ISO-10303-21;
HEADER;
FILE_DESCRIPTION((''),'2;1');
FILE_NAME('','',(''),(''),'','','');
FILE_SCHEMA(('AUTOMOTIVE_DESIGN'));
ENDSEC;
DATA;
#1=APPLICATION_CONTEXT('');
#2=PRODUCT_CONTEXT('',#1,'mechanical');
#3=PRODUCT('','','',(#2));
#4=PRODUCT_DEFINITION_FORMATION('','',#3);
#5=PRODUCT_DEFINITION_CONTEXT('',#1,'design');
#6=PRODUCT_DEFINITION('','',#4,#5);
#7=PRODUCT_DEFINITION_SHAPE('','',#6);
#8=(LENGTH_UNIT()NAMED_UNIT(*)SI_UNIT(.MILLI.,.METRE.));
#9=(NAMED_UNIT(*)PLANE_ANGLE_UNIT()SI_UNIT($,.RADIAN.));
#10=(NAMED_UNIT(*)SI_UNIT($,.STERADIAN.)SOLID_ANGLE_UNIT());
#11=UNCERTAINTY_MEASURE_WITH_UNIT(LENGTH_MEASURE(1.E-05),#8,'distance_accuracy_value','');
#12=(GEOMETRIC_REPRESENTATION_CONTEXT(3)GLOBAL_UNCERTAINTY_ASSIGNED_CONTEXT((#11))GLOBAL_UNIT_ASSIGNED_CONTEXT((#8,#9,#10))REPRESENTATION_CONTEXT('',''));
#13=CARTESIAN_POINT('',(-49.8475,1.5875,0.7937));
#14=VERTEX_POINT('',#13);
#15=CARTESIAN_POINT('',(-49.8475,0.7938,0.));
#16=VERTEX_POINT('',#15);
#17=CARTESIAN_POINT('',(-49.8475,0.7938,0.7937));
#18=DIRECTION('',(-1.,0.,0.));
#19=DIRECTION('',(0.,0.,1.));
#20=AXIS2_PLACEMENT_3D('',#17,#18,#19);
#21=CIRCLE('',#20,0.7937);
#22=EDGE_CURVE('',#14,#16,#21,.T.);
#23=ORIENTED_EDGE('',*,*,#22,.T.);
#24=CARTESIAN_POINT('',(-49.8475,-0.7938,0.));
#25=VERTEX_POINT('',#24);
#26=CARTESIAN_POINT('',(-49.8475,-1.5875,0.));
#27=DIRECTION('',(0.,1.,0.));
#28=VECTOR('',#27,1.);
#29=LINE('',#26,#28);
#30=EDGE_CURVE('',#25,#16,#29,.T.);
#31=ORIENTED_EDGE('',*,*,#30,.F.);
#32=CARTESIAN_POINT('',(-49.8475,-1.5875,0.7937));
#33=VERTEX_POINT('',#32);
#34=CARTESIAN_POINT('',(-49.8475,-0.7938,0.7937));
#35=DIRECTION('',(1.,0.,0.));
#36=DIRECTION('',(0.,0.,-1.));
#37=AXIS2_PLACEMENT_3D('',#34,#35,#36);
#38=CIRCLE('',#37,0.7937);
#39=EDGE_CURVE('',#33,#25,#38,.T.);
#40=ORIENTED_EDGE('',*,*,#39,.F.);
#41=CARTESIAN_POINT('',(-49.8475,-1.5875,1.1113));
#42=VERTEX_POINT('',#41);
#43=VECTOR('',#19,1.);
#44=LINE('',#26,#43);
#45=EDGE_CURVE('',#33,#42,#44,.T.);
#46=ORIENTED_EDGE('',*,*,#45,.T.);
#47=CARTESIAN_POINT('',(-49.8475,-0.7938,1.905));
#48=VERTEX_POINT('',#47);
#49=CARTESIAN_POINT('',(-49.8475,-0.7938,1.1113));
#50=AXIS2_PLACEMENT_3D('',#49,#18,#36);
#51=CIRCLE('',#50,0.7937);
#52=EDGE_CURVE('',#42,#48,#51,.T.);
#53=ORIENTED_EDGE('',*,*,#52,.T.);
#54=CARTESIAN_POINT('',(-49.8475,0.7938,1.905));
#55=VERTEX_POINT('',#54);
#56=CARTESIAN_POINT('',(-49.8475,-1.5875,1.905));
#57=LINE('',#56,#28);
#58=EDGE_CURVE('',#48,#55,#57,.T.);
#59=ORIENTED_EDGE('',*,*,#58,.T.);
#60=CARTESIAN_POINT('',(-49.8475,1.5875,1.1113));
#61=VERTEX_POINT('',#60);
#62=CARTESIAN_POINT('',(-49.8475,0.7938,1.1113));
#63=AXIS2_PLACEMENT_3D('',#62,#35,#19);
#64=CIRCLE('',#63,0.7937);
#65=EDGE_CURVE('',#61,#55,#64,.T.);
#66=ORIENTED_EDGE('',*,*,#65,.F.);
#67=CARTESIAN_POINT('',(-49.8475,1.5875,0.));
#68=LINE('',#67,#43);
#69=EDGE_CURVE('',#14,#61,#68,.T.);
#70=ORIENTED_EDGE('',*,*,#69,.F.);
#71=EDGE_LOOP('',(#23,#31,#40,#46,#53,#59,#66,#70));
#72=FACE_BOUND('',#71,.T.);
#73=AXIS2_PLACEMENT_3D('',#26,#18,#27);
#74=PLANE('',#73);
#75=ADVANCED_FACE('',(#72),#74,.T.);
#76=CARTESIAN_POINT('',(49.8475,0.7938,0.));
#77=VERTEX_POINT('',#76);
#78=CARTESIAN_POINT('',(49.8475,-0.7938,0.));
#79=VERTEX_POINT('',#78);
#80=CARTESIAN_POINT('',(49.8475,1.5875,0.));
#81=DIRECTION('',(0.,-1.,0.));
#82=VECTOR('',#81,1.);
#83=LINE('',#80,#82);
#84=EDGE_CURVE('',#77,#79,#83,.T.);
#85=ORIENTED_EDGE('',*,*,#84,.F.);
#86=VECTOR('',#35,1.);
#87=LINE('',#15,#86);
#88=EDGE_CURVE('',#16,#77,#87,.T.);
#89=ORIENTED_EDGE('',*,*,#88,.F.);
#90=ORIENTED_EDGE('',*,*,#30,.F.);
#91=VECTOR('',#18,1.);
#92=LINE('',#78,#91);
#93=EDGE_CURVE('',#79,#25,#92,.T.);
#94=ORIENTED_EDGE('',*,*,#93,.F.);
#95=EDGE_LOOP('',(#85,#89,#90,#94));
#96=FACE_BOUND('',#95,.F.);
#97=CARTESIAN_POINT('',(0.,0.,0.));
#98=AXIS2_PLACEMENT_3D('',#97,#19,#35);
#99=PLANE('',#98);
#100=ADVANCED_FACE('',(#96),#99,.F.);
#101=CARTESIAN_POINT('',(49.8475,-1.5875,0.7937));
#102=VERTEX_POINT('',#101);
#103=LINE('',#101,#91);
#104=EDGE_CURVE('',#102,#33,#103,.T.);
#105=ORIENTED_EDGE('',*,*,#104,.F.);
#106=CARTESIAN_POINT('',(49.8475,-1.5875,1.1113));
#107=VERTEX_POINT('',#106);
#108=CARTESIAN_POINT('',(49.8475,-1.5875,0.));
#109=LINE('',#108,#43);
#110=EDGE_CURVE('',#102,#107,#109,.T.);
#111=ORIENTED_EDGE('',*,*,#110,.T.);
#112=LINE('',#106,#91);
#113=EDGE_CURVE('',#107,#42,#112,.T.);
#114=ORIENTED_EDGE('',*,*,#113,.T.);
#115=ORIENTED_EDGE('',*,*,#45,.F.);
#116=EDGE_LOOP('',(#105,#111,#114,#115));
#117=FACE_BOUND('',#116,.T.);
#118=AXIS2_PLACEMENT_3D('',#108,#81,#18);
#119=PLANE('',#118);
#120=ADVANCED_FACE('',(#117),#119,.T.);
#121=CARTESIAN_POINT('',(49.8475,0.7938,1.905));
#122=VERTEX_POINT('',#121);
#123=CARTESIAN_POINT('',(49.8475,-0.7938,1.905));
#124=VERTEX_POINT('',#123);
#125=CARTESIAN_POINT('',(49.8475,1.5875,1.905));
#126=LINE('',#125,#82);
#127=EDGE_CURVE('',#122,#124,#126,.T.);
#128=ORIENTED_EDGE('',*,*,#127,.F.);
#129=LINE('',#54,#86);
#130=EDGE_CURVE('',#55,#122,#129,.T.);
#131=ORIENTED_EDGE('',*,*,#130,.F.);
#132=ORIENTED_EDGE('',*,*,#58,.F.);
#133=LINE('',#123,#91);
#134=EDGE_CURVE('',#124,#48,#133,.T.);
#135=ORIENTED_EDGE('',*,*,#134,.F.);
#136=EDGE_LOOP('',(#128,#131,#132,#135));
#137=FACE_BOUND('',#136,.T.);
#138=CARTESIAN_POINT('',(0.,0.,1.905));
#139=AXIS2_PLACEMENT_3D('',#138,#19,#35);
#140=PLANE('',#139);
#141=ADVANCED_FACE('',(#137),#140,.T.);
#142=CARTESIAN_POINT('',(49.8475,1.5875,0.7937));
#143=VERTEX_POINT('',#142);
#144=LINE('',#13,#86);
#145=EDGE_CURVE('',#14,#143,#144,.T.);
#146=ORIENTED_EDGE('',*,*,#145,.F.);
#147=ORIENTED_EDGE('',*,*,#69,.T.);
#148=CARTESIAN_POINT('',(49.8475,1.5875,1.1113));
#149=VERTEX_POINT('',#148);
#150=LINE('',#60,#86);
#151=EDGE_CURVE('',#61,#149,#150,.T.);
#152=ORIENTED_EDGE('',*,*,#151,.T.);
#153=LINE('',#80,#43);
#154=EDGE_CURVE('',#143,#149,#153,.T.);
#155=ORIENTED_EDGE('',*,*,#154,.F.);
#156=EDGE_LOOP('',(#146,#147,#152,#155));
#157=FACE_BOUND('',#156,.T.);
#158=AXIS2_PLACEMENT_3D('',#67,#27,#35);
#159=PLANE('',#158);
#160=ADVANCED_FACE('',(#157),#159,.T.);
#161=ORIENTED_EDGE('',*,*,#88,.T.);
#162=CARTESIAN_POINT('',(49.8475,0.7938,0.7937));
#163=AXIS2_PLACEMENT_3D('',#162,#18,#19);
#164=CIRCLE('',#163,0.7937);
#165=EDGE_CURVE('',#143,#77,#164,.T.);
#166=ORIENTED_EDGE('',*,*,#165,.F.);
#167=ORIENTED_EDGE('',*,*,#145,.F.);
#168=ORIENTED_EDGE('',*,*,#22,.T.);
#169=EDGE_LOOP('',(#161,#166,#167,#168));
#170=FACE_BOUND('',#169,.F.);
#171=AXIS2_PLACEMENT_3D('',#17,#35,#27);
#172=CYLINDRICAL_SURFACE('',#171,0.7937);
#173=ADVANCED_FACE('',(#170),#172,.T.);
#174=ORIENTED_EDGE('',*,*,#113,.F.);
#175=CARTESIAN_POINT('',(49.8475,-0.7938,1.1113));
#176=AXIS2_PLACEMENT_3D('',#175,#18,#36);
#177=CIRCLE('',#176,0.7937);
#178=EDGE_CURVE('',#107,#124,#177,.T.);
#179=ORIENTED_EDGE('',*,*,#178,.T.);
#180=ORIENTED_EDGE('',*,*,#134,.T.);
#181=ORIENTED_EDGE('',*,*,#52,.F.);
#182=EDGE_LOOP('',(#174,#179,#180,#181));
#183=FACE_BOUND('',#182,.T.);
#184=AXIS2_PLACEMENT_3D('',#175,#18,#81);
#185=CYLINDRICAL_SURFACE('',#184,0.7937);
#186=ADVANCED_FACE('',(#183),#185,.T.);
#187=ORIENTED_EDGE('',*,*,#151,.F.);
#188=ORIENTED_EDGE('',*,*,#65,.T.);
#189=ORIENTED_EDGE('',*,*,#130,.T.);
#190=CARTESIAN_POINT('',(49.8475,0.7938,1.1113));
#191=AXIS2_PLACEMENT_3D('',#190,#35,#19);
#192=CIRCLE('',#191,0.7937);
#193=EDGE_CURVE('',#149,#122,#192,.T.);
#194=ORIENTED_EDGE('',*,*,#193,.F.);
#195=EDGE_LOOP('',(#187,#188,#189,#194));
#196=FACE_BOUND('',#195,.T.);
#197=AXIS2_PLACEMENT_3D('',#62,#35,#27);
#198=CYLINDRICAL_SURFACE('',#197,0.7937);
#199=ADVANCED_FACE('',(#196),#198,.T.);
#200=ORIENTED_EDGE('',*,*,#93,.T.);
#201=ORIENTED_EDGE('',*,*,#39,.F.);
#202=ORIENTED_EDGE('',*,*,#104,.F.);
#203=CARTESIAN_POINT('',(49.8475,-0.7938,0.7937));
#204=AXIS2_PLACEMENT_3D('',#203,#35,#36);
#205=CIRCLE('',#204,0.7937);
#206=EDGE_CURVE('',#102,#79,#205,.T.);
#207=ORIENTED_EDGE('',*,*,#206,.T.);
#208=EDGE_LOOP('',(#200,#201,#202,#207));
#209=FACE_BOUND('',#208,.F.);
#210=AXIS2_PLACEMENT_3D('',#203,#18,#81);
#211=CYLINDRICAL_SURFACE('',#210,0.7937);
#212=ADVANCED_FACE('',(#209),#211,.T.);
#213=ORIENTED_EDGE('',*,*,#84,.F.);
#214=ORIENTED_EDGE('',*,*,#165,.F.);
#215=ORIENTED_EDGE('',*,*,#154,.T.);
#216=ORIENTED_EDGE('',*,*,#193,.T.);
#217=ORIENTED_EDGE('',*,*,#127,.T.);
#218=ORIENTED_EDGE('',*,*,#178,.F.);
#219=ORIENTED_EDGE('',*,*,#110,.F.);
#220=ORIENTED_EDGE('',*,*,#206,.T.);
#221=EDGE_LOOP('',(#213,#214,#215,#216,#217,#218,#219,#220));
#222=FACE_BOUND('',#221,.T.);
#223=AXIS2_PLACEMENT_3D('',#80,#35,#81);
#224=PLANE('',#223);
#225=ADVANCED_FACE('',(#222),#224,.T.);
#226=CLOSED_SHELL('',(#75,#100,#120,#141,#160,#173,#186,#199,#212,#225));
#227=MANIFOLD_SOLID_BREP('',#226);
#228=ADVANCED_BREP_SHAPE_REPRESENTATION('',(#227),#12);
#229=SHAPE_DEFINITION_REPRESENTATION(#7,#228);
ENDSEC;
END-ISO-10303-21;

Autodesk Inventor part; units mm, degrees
ref_plane "YZ Plane" through (0, 0, 0) normal (1, 0, 0) x (0, 1, 0)
ref_plane "XZ Plane" through (0, 0, 0) normal (0, 1, 0) x (-1, 0, 0)
ref_plane "XY Plane" through (0, 0, 0) normal (0, 0, 1) x (1, 0, 0)
sketch "Sketch1" plane through (0, 0, 0) normal (0, 0, 1) x (1, 0, 0)
  line L0 (49.8475, -1.5875) -> (-49.8475, -1.5875)
  line L1 (-49.8475, -1.5875) -> (-49.8475, 1.5875)
  line L2 (-49.8475, 1.5875) -> (49.8475, 1.5875)
  line L3 (49.8475, 1.5875) -> (49.8475, -1.5875)
  line L4 (49.8475, -1.5875) -> (-49.8475, 1.5875) construction
  line L5 (-49.8475, -1.5875) -> (49.8475, 1.5875) construction
  point P0 (0, 0)
  dimension "d0" = 99.695
  dimension "d1" = 3.175
extrude "Extrusion1" add sketch "Sketch1" along normal blind 1.905
fillet "Fillet1" radius 0.7937 4 edges at (0, 1.5875, 1.905) (0, -1.5875, 1.905) (0, 1.5875, 0) (0, -1.5875, 0)
equation "\"d1\" = oRingWidth"
equation "\"d4\" = 0.25 * oRingWidth"
equation "\"acrylicThickness\" = 6.35"
equation "\"height\" = 101.6"
equation "\"width\" = 101.6"
equation "\"depth\" = 101.6"
equation "\"mirrorAngle\" = 5deg"
equation "\"detectorWidth\" = 52"
equation "\"detectorHeight\" = 52"
equation "\"mirrorThickness\" = 3"
equation "\"fresnelThickness\" = 0.1"
equation "\"focalLength\" = 76.2"
equation "\"ior\" = 1.49"
equation "\"centerThickness\" = 1.524"
equation "\"fresnelAngle\" = 90deg"
equation "\"fresnelEffectiveDiameter\" = 76.2"
equation "\"mirrorSuppourtWidth\" = 38.1"
equation "\"backGrooveBit\" = 4.8006"
equation "\"sensorHolderWidth\" = 88.9"
equation "\"sensorHolderHeight\" = 88.9"
equation "\"sensorHolderSensorHeight\" = 53.975"
equation "\"sensorHolderSensorWidth\" = 53.975"
equation "\"oRingWidth\" = 3.175"
equation "\"sensorHolderORingID\" = 203.2"
equation "\"sensorHolderFlushORingID\" = 304.8"
equation "\"frontBackORingID\" = 419.1"
equation "\"mirrorGroove\" = 19.05"
equation "\"backMirrorGroove\" = 6.35"
equation "\"mirrorGrooveFillet\" = 6.35"
equation "\"fresnelChamfer\" = 6.35"
equation "\"mirrorGrooveDrill\" = 6.35"
equation "\"mirrorGrooveMill\" = 3.175"
equation "\"fresnelMirrorChamfer\" = 6.35"
equation "\"detectorOpeningWidth\" = 76.2"
equation "\"detectorOpeningHeight\" = 76.2"
properties part number "topBottomORing" material "Rubber"
